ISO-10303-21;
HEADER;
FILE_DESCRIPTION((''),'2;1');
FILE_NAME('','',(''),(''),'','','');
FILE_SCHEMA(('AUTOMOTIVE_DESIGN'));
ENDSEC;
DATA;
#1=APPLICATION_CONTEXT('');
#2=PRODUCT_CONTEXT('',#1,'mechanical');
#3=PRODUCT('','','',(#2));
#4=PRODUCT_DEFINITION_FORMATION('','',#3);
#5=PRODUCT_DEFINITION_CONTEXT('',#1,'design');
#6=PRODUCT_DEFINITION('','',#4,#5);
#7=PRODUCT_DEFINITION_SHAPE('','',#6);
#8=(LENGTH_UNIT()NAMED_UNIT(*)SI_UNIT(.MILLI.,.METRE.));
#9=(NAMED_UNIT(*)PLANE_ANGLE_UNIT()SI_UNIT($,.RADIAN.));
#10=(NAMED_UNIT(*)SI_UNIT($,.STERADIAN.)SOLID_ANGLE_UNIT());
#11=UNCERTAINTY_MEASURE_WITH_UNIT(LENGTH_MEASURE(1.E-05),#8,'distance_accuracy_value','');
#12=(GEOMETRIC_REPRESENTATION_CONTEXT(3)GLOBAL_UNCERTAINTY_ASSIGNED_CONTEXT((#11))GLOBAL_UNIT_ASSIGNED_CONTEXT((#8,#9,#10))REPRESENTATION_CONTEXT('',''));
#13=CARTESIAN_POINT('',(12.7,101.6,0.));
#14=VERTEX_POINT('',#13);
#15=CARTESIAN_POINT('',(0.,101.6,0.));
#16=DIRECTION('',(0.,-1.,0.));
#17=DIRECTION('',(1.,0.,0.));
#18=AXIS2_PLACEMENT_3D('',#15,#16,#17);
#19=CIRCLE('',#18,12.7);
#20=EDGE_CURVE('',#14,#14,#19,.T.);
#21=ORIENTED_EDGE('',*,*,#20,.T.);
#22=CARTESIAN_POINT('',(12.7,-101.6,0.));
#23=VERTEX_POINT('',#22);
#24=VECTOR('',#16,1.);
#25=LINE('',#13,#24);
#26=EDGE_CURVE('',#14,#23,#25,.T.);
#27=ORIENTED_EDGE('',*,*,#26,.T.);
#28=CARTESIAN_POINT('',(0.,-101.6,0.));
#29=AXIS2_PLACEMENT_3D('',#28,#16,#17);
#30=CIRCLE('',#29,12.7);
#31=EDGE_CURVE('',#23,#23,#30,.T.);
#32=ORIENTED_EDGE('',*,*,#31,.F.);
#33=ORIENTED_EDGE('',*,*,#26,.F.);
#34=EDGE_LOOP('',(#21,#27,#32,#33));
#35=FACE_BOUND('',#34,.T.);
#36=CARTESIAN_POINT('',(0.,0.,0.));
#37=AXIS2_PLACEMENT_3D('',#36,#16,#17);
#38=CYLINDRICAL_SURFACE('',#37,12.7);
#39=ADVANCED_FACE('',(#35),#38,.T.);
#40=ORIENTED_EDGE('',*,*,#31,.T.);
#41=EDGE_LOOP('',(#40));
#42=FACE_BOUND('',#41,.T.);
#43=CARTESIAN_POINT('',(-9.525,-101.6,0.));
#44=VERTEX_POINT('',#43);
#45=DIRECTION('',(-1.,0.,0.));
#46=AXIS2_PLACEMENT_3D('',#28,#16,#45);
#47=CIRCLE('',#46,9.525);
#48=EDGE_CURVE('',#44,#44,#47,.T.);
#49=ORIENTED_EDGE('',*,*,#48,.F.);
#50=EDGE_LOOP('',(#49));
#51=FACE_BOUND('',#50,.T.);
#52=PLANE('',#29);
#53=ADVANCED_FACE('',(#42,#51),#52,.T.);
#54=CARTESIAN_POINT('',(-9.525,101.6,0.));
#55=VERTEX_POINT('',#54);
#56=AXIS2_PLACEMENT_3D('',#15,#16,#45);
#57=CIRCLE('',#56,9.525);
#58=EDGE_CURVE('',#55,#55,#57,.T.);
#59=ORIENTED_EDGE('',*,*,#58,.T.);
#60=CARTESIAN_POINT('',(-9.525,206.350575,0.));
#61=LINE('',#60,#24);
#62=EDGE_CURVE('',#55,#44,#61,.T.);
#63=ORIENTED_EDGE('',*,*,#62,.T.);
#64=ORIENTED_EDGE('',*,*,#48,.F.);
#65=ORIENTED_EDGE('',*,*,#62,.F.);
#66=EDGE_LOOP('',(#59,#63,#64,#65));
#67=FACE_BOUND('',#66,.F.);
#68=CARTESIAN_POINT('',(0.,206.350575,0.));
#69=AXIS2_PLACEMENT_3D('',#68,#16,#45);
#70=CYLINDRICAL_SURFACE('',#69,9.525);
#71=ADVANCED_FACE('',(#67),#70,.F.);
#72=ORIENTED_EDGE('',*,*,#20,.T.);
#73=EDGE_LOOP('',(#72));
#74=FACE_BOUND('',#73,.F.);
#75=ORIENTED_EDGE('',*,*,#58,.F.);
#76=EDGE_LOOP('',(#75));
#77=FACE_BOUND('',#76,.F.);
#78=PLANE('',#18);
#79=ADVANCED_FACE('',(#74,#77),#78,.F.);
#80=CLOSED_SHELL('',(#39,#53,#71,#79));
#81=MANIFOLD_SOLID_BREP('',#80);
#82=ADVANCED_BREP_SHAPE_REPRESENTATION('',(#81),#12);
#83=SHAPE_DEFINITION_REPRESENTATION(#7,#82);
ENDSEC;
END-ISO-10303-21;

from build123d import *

# Parameters (mm, degrees)
F0_R     = 12.7
F1_DEPTH = 101.6
F2_D     = 19.05
F3_D     = 19.05


with BuildPart() as f1:
    # F0 (on Front) → F1 (new body, symmetric)
    with BuildSketch(Plane.XZ):
        Circle(F0_R)
    extrude(amount=F1_DEPTH, both=True)

    # F2 (through all)
    with Locations(Plane(origin=(0, 0, 0), x_dir=(1, 0, 0), z_dir=(0, 1, 0))):
        with Locations((0, 0)):
            Hole(F2_D / 2)

    # F3 (through all)
    with Locations(Plane.XZ):
        with Locations((0, 0)):
            Hole(F3_D / 2)


solid = f1.part
